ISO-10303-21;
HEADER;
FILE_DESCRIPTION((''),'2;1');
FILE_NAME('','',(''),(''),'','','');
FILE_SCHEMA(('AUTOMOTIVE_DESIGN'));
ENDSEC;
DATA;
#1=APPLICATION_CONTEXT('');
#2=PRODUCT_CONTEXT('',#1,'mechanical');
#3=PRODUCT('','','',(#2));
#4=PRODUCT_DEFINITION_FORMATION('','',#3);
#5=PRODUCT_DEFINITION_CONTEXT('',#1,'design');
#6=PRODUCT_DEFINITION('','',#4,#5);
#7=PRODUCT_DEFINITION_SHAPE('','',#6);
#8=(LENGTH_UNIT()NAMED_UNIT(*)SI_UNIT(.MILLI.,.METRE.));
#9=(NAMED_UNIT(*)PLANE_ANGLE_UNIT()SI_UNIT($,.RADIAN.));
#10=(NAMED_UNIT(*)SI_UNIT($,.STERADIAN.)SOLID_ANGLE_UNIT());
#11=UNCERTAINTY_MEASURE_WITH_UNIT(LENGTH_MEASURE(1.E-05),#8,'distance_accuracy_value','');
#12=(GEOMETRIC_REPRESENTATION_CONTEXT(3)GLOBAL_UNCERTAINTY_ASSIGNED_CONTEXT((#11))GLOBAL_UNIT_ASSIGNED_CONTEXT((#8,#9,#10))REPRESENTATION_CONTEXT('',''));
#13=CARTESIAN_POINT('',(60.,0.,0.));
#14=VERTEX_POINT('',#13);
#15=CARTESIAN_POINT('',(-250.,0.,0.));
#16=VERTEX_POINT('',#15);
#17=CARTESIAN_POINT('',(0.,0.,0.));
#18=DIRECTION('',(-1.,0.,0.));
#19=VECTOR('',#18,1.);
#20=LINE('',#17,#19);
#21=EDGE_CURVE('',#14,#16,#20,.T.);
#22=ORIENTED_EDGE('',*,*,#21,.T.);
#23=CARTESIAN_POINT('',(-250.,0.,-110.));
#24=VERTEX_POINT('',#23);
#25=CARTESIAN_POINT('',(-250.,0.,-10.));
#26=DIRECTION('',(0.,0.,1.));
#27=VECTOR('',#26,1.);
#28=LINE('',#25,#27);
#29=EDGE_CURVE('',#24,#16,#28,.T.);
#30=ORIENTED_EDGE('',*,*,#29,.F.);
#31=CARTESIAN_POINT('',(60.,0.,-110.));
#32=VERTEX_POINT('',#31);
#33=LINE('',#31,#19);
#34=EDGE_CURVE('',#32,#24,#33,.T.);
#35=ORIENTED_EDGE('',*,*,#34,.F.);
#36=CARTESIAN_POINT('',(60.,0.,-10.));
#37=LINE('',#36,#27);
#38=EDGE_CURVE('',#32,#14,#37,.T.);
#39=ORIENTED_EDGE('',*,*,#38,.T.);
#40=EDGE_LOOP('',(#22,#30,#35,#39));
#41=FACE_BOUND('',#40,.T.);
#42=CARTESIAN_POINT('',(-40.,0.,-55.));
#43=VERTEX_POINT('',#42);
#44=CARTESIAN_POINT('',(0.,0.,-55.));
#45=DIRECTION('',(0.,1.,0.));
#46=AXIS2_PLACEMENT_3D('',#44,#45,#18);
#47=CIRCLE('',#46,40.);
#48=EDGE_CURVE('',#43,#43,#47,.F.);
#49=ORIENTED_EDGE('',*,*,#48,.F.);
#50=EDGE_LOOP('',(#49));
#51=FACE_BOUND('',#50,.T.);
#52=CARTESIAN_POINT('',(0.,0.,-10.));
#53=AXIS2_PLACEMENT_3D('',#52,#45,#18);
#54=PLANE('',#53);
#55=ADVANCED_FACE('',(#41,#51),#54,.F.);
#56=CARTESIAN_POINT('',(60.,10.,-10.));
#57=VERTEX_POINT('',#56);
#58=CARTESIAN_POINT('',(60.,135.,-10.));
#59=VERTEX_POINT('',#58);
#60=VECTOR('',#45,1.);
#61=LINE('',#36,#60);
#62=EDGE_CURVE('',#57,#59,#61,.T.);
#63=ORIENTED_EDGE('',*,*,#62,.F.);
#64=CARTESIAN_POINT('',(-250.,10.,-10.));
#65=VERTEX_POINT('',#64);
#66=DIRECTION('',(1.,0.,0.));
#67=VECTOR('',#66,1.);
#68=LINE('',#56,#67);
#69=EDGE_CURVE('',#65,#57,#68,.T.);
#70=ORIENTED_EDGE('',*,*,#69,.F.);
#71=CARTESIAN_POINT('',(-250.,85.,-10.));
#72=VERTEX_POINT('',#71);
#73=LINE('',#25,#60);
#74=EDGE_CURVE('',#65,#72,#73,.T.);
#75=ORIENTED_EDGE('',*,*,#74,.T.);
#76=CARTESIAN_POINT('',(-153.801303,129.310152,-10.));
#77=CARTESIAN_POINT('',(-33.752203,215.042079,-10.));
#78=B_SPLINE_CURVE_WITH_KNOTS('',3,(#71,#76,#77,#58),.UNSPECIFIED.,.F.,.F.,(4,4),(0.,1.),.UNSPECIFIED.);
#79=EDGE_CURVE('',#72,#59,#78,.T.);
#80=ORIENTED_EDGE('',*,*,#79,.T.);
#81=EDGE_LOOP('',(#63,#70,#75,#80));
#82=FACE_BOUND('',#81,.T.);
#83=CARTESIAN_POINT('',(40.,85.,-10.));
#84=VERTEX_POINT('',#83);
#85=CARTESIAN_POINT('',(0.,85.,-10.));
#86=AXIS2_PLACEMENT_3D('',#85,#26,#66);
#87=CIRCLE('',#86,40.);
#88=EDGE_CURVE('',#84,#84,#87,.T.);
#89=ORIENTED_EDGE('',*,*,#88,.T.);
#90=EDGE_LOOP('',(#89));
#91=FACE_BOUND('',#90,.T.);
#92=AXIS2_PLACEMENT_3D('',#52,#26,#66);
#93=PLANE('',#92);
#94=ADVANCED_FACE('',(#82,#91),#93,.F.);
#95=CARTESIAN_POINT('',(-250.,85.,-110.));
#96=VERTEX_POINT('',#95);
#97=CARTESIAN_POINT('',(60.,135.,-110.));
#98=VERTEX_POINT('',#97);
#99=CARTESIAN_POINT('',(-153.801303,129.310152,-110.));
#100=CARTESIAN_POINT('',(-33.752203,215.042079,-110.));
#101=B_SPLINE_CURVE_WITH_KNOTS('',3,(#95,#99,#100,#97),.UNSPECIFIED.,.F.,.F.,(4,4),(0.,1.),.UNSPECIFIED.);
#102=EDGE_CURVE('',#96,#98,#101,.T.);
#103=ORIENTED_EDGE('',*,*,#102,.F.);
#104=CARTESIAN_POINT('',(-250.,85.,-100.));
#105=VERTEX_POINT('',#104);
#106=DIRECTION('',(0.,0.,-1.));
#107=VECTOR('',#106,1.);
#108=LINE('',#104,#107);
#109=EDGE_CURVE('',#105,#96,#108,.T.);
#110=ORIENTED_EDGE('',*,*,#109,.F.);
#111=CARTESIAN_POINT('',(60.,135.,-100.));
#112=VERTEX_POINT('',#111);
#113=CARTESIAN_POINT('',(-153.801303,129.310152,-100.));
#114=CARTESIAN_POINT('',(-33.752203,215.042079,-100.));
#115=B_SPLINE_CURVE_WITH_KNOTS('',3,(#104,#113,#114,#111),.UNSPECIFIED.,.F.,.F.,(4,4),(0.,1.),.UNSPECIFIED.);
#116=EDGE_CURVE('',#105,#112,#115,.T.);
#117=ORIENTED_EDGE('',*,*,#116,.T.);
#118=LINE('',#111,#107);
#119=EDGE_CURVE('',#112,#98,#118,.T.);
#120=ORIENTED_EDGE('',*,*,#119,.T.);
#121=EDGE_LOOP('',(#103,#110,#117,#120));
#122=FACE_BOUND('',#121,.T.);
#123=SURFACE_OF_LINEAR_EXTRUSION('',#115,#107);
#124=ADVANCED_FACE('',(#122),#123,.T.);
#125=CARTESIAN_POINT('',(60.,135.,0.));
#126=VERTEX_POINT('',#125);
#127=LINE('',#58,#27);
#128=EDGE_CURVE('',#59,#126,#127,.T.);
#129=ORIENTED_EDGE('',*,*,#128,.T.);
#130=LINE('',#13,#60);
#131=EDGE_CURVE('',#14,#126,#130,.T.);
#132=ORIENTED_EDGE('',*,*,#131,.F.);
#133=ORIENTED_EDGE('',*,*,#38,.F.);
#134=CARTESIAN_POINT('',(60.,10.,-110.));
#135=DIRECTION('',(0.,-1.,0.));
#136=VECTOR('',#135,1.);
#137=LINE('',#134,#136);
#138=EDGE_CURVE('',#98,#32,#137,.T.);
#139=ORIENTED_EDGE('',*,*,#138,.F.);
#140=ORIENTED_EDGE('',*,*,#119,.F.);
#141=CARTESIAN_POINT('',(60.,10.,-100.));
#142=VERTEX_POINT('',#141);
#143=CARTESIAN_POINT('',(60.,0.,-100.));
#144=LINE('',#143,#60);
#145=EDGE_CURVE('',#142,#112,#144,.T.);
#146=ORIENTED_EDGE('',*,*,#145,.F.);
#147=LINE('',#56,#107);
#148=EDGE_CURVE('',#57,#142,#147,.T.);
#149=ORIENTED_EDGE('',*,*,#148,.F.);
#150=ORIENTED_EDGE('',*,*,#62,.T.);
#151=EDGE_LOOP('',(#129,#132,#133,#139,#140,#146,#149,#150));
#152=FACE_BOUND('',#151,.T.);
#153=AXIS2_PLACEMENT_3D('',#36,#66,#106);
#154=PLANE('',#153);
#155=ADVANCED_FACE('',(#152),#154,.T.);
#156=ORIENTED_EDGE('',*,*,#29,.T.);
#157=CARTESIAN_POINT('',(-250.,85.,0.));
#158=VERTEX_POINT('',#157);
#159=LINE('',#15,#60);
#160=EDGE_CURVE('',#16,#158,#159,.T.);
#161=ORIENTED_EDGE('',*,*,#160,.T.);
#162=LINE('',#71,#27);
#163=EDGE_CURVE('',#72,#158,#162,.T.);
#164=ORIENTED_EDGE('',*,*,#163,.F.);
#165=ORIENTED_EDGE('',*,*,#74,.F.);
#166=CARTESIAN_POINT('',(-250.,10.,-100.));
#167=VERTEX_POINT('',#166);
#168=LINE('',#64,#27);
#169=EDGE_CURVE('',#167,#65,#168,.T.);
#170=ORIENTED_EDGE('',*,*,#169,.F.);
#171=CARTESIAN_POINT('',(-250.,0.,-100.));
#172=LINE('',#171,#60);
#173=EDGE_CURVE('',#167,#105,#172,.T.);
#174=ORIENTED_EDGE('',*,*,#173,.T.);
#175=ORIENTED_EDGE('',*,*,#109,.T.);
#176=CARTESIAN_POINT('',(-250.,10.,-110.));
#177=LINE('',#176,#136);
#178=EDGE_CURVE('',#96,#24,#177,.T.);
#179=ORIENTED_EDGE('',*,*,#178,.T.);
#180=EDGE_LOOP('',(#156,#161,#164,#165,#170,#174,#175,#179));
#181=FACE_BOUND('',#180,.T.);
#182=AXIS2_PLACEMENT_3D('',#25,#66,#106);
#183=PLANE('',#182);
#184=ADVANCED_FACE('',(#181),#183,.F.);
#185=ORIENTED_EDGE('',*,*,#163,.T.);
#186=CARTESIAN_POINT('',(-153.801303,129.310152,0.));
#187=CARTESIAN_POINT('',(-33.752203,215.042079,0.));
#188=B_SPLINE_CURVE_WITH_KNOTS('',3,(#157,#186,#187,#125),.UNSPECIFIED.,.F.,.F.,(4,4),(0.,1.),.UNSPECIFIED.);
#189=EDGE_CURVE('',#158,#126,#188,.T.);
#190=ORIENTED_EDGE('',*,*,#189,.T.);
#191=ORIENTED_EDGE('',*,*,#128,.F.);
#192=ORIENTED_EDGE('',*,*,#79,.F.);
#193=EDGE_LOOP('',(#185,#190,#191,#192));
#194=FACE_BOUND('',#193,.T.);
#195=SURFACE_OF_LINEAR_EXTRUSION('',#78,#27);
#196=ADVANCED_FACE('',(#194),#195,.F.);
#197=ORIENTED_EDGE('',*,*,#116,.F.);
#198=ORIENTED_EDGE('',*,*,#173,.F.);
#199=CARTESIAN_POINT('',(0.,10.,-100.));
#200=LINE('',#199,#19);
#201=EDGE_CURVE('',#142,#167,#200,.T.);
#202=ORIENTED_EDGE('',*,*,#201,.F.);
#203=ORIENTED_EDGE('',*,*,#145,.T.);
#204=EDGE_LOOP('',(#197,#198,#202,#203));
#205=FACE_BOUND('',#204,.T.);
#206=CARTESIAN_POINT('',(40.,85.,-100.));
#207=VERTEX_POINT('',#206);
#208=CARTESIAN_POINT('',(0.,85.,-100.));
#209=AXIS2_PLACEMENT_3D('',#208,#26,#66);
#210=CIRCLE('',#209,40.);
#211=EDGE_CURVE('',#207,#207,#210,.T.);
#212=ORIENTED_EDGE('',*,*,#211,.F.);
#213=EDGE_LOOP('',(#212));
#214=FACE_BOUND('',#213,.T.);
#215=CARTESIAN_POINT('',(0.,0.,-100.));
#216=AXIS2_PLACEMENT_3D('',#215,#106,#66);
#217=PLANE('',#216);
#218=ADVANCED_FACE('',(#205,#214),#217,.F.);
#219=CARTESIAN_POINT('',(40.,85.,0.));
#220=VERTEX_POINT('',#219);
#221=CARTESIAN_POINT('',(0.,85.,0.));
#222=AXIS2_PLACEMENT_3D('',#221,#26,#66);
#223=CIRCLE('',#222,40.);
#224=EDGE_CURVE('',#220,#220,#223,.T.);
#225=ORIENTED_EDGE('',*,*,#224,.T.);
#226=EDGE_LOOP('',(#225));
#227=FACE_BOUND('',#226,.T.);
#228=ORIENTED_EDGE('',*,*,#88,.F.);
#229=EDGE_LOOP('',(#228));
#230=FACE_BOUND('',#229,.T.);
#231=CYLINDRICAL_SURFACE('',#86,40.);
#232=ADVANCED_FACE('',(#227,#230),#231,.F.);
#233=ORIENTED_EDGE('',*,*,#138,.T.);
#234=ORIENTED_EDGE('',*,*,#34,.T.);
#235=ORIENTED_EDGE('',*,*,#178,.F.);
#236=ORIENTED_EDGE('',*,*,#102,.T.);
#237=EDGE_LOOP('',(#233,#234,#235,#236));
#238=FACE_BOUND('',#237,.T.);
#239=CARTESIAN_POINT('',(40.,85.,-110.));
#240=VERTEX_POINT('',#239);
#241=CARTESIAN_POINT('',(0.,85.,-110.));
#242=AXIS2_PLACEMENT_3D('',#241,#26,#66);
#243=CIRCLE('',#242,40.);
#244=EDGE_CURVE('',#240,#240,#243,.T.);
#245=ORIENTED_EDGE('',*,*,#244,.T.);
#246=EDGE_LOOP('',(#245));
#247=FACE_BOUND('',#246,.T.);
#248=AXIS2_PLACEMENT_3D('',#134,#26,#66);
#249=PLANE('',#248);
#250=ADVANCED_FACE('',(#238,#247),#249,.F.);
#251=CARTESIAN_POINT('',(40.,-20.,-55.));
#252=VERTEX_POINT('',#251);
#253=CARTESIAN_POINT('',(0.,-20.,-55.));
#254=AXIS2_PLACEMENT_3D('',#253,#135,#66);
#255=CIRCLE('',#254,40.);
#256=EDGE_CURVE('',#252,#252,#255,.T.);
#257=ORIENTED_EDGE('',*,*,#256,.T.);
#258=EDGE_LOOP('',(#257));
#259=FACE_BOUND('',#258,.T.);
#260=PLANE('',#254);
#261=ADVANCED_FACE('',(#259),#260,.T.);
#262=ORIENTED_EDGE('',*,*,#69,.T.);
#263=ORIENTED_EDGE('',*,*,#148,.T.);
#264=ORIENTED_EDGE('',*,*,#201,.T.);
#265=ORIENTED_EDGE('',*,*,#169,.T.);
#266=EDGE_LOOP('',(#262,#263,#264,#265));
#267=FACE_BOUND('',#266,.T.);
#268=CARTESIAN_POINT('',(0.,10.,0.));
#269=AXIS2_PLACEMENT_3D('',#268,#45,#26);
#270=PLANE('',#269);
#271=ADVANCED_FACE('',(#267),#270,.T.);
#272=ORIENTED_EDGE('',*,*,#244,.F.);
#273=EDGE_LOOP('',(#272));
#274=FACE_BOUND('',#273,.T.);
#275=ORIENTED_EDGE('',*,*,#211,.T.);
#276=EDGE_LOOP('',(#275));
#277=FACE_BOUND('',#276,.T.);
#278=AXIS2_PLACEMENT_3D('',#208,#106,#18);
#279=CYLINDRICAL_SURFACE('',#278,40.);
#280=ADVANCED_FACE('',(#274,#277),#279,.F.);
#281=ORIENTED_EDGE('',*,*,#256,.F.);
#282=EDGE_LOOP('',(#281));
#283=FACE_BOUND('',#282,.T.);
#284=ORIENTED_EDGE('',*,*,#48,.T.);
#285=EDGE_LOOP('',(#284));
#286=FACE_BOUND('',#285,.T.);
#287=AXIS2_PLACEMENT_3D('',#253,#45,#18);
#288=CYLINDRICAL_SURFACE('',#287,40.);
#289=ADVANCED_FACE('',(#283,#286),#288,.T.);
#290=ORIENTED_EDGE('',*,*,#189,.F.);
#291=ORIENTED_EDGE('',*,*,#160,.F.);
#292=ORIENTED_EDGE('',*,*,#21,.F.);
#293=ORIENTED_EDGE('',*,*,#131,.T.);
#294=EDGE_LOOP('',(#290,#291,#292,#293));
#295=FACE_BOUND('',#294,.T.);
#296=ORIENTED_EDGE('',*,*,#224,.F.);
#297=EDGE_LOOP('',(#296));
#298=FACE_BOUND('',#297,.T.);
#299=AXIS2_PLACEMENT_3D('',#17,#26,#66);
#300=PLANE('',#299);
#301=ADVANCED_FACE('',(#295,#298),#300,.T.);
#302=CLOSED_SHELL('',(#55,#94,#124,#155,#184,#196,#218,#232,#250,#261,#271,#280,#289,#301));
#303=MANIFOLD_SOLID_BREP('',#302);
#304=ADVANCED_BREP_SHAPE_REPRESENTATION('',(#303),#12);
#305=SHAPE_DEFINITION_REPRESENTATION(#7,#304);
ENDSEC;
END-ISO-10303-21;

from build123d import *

# Parameters (mm, degrees)
SKETCH1_W           = 310
SKETCH1_H           = 85
BOSS_EXTRUDE1_DEPTH = 10
SKETCH2_W           = 310
SKETCH2_H           = 100
BOSS_EXTRUDE2_DEPTH = 10
SKETCH3_R           = 40
CUT_EXTRUDE1_DEPTH  = 10
SKETCH4_R           = 40
BOSS_EXTRUDE3_DEPTH = 20


with BuildPart() as part:
    # Sketch1 → Boss-Extrude1 (new body)
    with BuildSketch(Plane.XY):
        with Locations((-95, 42.5)):
            Rectangle(SKETCH1_W, SKETCH1_H)
        with BuildLine():
            Line((-250, 85), (0, 85))
            Line((0, 85), (0, 165))
            add(Edge.make_bspline(
                [(-250, 85), (-173.352632869, 120.304599368), (-81.564360867, 181.904903874), (0, 165)],
                knots=[0, 0, 0, 0, 0.796760971, 0.796760971, 0.796760971, 0.796760971], degree=3))
        make_face()
        with BuildLine():
            Line((0, 85), (60, 85))
            Line((60, 85), (60, 135))
            add(Edge.make_bspline(
                [(0, 165), (20.805564215, 160.687870789), (40.945893284, 151.267674504), (60, 135)],
                knots=[0.796760971, 0.796760971, 0.796760971, 0.796760971, 1, 1, 1, 1], degree=3))
            Line((0, 165), (0, 85))
        make_face()
    boss_extrude1 = extrude(amount=-BOSS_EXTRUDE1_DEPTH)

    # Sketch2 → Boss-Extrude2 (add)
    with BuildSketch(Plane(origin=(0, 0, 0), x_dir=(1, 0, 0), z_dir=(0, 1, 0))):
        with Locations((-95, 60)):
            Rectangle(SKETCH2_W, SKETCH2_H)
    extrude(amount=BOSS_EXTRUDE2_DEPTH)

    # Sketch3 → Cut-Extrude1 (cut)
    with BuildSketch(Plane.XY):
        with Locations((0, 85)):
            Circle(SKETCH3_R)
    cut_extrude1 = extrude(amount=-CUT_EXTRUDE1_DEPTH, mode=Mode.SUBTRACT)

    # Mirror1: Boss-Extrude1, Cut-Extrude1 across plane
    add(boss_extrude1.mirror(Plane(origin=(0, 0, -55), x_dir=(1, 0, 0), z_dir=(0, 0, -1))))
    add(cut_extrude1.mirror(Plane(origin=(0, 0, -55), x_dir=(1, 0, 0), z_dir=(0, 0, -1))), mode=Mode.SUBTRACT)

    # Sketch4 → Boss-Extrude3 (add)
    with BuildSketch(Plane.XZ):
        with Locations(Location((0, -55, 0), (0, 0, 180))):
            Circle(SKETCH4_R)
    extrude(amount=BOSS_EXTRUDE3_DEPTH)


solid = part.part
